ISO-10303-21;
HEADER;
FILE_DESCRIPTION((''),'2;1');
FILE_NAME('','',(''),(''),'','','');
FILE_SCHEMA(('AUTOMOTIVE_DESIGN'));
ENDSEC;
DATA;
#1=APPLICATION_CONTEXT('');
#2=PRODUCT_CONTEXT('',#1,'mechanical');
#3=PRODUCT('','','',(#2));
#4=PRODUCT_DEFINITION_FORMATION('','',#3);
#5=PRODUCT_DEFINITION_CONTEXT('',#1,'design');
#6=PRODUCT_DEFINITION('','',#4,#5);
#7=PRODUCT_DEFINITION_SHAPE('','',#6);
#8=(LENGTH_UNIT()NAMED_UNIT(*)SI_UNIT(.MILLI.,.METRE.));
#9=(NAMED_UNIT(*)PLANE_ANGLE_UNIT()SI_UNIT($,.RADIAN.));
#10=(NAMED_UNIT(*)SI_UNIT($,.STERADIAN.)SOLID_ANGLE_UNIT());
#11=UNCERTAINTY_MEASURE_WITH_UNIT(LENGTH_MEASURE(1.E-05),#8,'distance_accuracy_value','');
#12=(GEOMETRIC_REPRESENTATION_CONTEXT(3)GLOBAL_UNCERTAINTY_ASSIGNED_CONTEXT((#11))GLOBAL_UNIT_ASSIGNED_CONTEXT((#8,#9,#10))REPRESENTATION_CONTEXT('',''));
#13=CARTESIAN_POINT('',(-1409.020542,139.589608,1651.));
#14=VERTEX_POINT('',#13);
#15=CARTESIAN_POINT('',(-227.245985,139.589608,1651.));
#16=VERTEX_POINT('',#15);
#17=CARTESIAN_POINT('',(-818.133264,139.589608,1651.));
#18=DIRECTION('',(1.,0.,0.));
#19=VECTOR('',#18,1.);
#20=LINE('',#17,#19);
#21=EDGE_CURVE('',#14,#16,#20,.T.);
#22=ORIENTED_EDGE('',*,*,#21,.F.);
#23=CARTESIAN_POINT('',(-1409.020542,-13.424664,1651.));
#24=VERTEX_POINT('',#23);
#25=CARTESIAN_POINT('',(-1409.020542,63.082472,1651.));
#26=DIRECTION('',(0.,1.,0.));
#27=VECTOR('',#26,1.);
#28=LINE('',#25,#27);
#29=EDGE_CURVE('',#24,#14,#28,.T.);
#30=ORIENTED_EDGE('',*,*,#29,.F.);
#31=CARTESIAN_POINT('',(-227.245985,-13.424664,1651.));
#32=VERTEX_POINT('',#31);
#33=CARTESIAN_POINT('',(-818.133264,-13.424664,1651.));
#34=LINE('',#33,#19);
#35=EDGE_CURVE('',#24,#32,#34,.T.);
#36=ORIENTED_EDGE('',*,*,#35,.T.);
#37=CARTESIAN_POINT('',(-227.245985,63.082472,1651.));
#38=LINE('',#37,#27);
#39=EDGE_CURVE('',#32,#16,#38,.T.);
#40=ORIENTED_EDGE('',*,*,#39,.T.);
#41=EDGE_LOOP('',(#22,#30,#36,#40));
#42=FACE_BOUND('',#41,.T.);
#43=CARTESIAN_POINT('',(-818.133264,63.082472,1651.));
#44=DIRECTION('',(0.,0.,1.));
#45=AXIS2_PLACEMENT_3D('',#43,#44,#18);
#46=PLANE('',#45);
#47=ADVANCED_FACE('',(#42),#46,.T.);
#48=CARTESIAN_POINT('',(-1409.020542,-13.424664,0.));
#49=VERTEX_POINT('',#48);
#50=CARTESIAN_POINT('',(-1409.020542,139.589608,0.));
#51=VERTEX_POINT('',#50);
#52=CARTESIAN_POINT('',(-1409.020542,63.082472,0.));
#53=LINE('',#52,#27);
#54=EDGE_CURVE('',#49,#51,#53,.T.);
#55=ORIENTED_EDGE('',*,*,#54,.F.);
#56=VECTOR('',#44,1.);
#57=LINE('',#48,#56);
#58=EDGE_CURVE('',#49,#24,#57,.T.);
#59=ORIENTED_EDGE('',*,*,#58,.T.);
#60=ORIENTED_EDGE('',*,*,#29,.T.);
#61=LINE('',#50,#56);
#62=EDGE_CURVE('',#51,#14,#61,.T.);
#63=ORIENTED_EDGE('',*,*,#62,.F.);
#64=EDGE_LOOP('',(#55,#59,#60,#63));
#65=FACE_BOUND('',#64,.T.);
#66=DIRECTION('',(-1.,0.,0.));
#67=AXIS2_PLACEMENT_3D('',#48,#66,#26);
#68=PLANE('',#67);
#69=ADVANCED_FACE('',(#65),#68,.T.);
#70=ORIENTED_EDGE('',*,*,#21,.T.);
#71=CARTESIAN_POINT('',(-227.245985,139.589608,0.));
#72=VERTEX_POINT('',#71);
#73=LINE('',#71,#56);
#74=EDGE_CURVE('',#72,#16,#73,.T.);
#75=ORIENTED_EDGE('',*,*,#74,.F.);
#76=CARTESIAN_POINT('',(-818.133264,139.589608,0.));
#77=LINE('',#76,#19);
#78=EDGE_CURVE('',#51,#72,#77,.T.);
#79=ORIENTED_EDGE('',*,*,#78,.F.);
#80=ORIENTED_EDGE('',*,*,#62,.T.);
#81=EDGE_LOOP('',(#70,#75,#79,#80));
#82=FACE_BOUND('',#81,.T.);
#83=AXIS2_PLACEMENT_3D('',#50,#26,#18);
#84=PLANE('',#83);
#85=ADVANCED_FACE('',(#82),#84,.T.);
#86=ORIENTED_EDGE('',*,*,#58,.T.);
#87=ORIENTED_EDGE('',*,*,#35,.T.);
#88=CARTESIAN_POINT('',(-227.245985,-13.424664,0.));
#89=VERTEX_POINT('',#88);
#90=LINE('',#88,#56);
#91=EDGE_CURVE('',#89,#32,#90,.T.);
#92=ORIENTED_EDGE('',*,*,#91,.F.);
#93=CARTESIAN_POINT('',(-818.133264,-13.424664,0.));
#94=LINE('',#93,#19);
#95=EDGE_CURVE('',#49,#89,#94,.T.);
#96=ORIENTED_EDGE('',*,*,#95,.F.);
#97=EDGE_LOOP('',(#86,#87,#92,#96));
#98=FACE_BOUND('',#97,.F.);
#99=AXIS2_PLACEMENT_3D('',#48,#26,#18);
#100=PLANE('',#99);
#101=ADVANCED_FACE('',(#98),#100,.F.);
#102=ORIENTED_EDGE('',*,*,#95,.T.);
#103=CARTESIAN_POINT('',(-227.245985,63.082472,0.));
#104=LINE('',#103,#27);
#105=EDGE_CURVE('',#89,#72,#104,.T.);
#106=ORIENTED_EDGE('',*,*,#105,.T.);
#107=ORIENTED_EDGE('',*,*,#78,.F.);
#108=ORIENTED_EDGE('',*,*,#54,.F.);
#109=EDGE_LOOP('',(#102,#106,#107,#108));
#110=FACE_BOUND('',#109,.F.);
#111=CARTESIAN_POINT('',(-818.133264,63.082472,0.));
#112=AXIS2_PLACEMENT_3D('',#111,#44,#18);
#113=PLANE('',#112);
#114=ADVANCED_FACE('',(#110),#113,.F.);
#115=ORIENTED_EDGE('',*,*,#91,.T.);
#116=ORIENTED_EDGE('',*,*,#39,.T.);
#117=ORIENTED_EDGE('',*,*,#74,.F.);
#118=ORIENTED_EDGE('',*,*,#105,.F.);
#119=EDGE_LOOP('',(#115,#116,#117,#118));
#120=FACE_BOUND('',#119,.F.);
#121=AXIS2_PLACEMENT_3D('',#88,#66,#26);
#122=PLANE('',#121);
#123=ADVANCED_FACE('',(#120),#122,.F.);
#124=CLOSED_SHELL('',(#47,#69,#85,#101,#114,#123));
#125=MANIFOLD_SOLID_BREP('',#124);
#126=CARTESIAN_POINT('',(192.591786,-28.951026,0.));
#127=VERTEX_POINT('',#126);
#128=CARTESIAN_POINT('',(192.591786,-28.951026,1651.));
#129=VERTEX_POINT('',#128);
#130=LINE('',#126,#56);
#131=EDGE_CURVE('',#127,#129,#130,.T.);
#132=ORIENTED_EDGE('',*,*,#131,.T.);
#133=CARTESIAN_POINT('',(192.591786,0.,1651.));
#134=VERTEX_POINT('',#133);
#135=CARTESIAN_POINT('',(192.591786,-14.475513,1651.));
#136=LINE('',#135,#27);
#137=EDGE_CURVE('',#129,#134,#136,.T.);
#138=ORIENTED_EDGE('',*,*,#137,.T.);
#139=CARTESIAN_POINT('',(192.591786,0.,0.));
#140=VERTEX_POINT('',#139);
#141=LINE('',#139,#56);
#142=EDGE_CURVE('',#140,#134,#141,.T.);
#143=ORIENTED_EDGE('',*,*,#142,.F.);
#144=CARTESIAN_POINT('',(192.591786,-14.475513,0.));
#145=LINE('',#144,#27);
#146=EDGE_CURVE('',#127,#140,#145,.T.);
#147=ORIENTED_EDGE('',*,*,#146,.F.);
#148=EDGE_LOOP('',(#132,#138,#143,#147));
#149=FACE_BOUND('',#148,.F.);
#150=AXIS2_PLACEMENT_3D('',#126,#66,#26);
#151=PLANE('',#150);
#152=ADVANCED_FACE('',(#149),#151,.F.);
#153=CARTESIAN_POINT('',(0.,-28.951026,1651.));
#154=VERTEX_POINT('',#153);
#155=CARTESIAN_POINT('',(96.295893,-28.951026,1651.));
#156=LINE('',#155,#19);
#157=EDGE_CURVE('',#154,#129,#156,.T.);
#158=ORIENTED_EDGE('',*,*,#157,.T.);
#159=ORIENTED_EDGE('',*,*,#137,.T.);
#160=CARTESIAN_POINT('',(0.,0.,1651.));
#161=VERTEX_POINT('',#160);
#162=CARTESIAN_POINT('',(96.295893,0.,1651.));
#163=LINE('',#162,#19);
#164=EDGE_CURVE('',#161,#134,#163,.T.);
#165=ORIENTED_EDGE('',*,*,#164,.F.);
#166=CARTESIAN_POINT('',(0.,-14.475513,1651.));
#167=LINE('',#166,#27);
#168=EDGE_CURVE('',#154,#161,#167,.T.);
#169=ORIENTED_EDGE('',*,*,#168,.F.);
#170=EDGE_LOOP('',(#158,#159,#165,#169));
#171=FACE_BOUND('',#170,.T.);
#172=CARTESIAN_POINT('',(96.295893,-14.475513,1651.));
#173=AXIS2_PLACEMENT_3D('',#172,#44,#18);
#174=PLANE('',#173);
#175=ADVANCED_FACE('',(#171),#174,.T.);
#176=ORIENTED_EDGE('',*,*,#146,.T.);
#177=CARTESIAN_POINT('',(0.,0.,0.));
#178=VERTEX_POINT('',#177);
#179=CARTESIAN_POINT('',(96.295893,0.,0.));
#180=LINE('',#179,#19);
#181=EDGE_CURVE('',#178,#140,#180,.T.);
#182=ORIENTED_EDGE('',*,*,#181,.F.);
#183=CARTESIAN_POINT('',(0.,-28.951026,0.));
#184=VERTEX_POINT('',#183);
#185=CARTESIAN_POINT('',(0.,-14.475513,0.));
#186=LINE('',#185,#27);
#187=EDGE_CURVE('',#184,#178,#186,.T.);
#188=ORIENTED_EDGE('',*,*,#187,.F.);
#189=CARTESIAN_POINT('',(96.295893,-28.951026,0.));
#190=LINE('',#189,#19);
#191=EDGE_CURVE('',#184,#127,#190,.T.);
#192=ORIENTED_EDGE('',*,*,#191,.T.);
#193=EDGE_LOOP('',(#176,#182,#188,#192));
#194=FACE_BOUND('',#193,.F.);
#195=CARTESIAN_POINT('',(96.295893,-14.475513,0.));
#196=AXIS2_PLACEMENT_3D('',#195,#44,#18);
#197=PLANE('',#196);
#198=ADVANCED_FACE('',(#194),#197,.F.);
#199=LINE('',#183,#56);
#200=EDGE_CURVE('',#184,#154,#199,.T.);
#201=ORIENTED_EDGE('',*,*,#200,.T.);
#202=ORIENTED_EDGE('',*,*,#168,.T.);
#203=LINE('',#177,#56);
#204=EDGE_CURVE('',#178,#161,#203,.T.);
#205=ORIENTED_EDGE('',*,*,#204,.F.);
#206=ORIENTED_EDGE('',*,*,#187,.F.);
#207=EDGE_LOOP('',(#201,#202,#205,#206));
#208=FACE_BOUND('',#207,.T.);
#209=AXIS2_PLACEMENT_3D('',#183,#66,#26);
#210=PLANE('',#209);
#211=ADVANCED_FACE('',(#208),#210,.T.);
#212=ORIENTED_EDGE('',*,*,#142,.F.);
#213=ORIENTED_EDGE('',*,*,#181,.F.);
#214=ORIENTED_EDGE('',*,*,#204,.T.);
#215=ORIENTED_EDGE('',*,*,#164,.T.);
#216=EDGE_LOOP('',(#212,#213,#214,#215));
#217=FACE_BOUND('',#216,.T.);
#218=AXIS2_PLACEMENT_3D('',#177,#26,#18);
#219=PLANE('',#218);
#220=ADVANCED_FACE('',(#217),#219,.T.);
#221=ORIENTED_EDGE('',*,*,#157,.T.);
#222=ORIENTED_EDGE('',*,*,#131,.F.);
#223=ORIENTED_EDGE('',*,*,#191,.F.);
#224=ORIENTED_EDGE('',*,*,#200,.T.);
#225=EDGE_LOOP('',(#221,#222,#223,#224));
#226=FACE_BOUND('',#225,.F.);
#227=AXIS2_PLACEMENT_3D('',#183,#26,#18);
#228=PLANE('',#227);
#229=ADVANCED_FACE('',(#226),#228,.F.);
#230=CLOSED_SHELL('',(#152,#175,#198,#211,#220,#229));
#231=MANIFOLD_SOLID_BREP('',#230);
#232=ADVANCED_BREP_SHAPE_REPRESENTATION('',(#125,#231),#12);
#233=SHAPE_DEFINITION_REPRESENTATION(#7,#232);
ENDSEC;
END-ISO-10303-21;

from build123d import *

# Parameters (mm, degrees)
F0_W     = 192.591786
F0_H     = 28.951026
F0_W_2   = 1181.774557
F0_H_2   = 153.014272
F1_DEPTH = 1651


with BuildPart() as f1:
    # F0 (on Top) → F1 (new body)
    with BuildSketch(Plane.XY):
        with Locations((96.295893, -14.475513)):
            Rectangle(F0_W, F0_H)
        with Locations((-818.133264, 63.082472)):
            Rectangle(F0_W_2, F0_H_2)
    extrude(amount=F1_DEPTH)


solid = f1.part
